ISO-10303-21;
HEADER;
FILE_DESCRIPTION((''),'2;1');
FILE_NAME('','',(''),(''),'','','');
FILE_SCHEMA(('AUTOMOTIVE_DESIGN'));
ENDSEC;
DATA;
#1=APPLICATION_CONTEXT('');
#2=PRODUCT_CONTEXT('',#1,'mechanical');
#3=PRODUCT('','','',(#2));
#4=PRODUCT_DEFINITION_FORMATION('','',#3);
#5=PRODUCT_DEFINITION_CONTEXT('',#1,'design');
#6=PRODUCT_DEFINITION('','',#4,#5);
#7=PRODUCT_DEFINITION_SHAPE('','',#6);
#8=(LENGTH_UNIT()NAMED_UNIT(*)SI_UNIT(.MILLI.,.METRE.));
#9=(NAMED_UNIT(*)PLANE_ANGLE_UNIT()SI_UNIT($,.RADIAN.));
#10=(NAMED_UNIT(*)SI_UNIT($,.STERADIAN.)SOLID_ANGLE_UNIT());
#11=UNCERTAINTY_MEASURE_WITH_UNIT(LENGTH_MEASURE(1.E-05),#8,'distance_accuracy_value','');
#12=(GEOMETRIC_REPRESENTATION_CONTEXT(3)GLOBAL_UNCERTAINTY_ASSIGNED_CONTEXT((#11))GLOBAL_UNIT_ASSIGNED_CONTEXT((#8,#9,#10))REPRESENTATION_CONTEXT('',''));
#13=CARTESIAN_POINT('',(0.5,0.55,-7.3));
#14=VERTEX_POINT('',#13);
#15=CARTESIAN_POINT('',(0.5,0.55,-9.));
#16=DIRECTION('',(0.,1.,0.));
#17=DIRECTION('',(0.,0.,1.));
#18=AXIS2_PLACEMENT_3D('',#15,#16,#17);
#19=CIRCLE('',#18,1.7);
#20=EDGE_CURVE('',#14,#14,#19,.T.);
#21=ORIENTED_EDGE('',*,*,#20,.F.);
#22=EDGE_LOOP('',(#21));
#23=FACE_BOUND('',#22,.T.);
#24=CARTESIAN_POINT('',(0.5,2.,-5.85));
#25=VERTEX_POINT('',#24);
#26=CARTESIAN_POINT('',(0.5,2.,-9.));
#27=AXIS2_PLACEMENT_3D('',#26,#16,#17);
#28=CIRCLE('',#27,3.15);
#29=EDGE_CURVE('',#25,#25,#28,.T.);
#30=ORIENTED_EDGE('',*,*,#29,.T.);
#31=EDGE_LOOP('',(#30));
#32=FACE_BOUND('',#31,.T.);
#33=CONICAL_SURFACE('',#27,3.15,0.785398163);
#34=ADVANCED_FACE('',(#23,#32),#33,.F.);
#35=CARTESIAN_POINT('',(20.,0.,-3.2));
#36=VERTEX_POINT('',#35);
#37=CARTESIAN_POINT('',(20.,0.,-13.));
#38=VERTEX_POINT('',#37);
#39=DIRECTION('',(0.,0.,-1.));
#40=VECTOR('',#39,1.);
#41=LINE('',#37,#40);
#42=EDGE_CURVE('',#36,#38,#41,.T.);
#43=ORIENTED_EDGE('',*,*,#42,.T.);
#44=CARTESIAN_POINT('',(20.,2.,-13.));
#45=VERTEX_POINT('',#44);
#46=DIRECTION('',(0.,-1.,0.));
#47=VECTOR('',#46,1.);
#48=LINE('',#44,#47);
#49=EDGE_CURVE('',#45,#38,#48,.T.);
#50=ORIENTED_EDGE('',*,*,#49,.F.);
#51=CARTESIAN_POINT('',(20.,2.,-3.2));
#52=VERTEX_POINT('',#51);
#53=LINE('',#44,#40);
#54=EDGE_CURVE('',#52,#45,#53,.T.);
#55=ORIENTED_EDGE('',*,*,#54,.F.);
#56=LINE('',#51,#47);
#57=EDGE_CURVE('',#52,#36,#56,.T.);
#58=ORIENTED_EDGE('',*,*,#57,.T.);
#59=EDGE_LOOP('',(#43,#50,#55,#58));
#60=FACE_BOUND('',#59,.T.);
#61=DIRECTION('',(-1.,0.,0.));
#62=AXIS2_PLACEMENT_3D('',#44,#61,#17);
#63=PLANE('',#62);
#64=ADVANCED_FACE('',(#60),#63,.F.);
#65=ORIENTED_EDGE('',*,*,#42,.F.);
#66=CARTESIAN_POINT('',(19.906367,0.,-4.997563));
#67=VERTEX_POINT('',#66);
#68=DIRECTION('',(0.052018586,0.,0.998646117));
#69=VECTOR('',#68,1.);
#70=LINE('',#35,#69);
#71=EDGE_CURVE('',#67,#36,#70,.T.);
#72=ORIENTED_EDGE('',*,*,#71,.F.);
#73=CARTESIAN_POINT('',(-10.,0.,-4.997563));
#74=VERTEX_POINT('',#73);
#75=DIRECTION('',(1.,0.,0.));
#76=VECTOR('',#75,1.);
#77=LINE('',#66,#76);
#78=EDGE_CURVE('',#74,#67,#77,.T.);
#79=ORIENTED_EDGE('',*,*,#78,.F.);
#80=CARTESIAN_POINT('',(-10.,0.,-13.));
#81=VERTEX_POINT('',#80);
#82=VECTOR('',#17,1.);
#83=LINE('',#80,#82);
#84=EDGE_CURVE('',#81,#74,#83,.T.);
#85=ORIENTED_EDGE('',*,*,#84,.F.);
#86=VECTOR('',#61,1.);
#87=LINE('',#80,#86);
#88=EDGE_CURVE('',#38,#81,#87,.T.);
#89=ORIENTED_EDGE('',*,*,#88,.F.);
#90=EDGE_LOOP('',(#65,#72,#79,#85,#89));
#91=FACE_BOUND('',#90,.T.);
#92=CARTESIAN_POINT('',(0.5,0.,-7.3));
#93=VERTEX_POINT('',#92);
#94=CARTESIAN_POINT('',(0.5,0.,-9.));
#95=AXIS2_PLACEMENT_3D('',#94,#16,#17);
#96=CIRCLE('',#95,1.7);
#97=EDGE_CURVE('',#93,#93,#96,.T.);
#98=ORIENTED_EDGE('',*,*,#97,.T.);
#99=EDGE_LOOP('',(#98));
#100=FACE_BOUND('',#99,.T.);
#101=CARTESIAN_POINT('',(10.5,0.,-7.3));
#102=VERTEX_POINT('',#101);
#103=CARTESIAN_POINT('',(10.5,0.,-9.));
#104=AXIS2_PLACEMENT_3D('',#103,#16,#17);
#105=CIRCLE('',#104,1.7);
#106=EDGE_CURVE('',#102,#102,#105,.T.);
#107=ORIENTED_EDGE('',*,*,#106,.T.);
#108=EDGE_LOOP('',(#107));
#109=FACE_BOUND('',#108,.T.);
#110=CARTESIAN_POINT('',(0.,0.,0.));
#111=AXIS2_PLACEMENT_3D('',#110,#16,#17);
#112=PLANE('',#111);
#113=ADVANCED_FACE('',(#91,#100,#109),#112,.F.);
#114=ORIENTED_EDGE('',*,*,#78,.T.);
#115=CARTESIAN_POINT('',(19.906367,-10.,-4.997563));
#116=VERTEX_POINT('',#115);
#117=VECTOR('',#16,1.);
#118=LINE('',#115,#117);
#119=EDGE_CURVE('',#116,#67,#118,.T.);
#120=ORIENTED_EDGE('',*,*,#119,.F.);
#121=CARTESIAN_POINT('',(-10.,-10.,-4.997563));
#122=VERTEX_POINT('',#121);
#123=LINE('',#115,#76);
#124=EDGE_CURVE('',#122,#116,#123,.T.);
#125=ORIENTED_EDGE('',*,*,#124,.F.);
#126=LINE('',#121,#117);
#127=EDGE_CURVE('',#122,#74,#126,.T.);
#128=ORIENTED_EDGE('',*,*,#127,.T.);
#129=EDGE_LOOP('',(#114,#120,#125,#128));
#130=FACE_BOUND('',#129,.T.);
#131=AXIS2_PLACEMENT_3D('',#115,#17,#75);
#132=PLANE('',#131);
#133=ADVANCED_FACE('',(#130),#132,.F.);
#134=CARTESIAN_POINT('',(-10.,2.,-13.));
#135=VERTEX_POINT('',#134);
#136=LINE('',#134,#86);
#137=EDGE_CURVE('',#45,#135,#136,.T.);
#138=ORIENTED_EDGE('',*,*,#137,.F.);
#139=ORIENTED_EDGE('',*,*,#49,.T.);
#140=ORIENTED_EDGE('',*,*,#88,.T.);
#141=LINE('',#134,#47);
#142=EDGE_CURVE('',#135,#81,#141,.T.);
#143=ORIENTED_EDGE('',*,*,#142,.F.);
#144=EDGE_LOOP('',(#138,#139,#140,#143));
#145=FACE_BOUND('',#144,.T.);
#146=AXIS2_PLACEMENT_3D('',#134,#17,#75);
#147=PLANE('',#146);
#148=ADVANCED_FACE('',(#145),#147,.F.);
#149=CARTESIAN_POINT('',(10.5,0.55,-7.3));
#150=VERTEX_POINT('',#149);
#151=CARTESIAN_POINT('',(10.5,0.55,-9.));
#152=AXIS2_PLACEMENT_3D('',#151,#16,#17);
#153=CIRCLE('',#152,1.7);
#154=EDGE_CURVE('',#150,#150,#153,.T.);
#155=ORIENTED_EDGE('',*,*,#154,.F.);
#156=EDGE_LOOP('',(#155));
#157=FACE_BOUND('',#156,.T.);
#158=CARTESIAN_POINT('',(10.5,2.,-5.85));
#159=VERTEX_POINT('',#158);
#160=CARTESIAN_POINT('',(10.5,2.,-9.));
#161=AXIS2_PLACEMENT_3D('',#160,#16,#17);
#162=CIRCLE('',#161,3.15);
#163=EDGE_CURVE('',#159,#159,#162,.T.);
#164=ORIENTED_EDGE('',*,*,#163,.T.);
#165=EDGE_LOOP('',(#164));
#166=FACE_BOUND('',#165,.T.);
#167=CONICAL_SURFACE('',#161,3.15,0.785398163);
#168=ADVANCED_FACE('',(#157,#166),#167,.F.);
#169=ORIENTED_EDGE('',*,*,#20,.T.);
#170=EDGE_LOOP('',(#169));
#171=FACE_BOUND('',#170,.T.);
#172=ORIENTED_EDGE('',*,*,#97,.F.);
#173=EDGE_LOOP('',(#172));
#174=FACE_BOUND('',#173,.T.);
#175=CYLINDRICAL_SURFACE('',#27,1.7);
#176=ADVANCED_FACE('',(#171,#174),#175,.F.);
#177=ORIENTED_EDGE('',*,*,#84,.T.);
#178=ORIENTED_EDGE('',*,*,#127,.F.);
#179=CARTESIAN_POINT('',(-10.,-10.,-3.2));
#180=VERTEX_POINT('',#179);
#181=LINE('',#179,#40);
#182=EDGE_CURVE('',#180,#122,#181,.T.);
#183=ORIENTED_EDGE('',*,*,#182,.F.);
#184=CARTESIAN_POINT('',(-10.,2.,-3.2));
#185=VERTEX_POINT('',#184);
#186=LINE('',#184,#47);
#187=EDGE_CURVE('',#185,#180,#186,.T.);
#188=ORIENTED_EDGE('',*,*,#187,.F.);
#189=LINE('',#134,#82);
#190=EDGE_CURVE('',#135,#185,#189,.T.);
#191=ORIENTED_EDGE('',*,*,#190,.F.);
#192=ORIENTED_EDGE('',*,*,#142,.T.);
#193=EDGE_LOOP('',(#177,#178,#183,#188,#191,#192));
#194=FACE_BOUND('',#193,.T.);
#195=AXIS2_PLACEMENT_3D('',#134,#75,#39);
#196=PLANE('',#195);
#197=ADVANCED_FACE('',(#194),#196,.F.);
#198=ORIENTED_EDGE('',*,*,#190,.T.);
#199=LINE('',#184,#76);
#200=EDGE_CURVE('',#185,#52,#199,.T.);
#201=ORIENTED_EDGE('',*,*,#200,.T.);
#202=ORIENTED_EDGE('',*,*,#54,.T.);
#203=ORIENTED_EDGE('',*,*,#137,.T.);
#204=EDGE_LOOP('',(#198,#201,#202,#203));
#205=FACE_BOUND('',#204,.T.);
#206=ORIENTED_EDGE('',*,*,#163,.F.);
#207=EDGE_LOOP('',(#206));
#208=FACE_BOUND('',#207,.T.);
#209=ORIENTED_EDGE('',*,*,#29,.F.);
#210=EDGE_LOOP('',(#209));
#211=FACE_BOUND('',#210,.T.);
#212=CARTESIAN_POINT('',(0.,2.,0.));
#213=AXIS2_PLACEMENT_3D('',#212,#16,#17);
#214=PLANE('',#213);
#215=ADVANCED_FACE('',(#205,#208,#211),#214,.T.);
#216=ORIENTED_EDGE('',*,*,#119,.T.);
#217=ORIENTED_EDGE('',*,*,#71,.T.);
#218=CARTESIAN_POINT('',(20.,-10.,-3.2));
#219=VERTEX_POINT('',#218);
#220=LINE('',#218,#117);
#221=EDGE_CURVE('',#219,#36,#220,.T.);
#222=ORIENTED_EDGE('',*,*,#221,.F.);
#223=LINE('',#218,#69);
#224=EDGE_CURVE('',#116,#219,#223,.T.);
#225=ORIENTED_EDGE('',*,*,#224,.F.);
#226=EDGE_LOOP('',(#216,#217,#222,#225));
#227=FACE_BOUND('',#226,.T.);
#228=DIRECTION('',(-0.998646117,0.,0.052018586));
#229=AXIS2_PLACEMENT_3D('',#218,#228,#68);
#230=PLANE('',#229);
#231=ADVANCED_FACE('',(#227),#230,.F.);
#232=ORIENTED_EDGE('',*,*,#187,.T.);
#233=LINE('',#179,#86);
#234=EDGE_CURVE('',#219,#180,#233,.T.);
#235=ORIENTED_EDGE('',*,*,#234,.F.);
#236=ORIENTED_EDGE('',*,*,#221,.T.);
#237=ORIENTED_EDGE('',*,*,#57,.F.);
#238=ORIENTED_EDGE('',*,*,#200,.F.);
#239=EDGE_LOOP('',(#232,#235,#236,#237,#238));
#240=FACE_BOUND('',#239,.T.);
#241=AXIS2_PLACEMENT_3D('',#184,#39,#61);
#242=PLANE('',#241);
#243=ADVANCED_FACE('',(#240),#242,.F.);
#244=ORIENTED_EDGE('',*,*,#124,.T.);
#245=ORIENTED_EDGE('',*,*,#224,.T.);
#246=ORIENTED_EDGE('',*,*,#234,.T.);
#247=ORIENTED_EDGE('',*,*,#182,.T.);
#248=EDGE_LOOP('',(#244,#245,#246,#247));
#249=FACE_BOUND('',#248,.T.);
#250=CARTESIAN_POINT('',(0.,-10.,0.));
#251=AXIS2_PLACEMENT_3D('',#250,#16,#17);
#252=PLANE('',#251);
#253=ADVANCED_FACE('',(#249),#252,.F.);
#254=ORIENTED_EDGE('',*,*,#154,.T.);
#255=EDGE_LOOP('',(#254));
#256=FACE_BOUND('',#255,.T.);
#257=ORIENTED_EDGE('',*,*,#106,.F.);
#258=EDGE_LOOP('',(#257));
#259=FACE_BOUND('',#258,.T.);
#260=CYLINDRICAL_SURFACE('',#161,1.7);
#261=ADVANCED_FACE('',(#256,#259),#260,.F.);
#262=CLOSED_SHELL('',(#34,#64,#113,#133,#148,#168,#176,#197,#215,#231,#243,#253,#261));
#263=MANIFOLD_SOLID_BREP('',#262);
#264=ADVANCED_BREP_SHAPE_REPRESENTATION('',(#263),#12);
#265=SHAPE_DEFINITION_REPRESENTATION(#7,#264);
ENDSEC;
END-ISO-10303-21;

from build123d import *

# Parameters (mm, degrees)
SKIZZE1_W                                            = 30
SKIZZE1_H                                            = 9.8
AUFSATZ_LINEAR_AUSTRAGEN1_DEPTH                      = 2
FORMSENKUNG_F_R_M3_LINSENSENKSCHRAUBE_MI_D           = 3.4
FORMSENKUNG_F_R_M3_LINSENSENKSCHRAUBE_MI_DEPTH       = 8.5
FORMSENKUNG_F_R_M3_LINSENSENKSCHRAUBE_MI_CSINK_D     = 6.3
FORMSENKUNG_F_R_M3_LINSENSENKSCHRAUBE_MI_CSINK_ANGLE = 90
FORMSENKUNG_F_R_M3_LINSENSENKSCHRAUBE_MI_TIP         = 1.021463052
AUFSATZ_LINEAR_AUSTRAGEN2_DEPTH                      = 10


with BuildPart() as part:
    # Skizze1 → Aufsatz-Linear austragen1 (new body)
    with BuildSketch(Plane(origin=(0, 0, 0), x_dir=(1, 0, 0), z_dir=(0, 1, 0))):
        with Locations((5, 8.1)):
            Rectangle(SKIZZE1_W, SKIZZE1_H)
    extrude(amount=AUFSATZ_LINEAR_AUSTRAGEN1_DEPTH)

    # Formsenkung für M3 Linsensenkschraube mit Schlitz1
    with Locations(Plane(origin=(0, 2, 0), x_dir=(1, 0, 0), z_dir=(0, 1, 0))):
        with Locations((0.5, 9), (10.5, 9)):
            CounterSinkHole(FORMSENKUNG_F_R_M3_LINSENSENKSCHRAUBE_MI_D / 2, FORMSENKUNG_F_R_M3_LINSENSENKSCHRAUBE_MI_CSINK_D / 2, depth=FORMSENKUNG_F_R_M3_LINSENSENKSCHRAUBE_MI_DEPTH, counter_sink_angle=FORMSENKUNG_F_R_M3_LINSENSENKSCHRAUBE_MI_CSINK_ANGLE)
            with Locations((0, 0, -(FORMSENKUNG_F_R_M3_LINSENSENKSCHRAUBE_MI_DEPTH + FORMSENKUNG_F_R_M3_LINSENSENKSCHRAUBE_MI_TIP / 2))):  # 118° drill point
                Cone(0, FORMSENKUNG_F_R_M3_LINSENSENKSCHRAUBE_MI_D / 2, FORMSENKUNG_F_R_M3_LINSENSENKSCHRAUBE_MI_TIP, mode=Mode.SUBTRACT)

    # Skizze13 → Aufsatz-Linear austragen2 (add)
    with BuildSketch(Plane.XZ):
        Polygon((-10, -3.2), (-10, -4.99756301), (19.906366545, -4.99756301), (20, -3.2), align=None)
    extrude(amount=AUFSATZ_LINEAR_AUSTRAGEN2_DEPTH)


solid = part.part
